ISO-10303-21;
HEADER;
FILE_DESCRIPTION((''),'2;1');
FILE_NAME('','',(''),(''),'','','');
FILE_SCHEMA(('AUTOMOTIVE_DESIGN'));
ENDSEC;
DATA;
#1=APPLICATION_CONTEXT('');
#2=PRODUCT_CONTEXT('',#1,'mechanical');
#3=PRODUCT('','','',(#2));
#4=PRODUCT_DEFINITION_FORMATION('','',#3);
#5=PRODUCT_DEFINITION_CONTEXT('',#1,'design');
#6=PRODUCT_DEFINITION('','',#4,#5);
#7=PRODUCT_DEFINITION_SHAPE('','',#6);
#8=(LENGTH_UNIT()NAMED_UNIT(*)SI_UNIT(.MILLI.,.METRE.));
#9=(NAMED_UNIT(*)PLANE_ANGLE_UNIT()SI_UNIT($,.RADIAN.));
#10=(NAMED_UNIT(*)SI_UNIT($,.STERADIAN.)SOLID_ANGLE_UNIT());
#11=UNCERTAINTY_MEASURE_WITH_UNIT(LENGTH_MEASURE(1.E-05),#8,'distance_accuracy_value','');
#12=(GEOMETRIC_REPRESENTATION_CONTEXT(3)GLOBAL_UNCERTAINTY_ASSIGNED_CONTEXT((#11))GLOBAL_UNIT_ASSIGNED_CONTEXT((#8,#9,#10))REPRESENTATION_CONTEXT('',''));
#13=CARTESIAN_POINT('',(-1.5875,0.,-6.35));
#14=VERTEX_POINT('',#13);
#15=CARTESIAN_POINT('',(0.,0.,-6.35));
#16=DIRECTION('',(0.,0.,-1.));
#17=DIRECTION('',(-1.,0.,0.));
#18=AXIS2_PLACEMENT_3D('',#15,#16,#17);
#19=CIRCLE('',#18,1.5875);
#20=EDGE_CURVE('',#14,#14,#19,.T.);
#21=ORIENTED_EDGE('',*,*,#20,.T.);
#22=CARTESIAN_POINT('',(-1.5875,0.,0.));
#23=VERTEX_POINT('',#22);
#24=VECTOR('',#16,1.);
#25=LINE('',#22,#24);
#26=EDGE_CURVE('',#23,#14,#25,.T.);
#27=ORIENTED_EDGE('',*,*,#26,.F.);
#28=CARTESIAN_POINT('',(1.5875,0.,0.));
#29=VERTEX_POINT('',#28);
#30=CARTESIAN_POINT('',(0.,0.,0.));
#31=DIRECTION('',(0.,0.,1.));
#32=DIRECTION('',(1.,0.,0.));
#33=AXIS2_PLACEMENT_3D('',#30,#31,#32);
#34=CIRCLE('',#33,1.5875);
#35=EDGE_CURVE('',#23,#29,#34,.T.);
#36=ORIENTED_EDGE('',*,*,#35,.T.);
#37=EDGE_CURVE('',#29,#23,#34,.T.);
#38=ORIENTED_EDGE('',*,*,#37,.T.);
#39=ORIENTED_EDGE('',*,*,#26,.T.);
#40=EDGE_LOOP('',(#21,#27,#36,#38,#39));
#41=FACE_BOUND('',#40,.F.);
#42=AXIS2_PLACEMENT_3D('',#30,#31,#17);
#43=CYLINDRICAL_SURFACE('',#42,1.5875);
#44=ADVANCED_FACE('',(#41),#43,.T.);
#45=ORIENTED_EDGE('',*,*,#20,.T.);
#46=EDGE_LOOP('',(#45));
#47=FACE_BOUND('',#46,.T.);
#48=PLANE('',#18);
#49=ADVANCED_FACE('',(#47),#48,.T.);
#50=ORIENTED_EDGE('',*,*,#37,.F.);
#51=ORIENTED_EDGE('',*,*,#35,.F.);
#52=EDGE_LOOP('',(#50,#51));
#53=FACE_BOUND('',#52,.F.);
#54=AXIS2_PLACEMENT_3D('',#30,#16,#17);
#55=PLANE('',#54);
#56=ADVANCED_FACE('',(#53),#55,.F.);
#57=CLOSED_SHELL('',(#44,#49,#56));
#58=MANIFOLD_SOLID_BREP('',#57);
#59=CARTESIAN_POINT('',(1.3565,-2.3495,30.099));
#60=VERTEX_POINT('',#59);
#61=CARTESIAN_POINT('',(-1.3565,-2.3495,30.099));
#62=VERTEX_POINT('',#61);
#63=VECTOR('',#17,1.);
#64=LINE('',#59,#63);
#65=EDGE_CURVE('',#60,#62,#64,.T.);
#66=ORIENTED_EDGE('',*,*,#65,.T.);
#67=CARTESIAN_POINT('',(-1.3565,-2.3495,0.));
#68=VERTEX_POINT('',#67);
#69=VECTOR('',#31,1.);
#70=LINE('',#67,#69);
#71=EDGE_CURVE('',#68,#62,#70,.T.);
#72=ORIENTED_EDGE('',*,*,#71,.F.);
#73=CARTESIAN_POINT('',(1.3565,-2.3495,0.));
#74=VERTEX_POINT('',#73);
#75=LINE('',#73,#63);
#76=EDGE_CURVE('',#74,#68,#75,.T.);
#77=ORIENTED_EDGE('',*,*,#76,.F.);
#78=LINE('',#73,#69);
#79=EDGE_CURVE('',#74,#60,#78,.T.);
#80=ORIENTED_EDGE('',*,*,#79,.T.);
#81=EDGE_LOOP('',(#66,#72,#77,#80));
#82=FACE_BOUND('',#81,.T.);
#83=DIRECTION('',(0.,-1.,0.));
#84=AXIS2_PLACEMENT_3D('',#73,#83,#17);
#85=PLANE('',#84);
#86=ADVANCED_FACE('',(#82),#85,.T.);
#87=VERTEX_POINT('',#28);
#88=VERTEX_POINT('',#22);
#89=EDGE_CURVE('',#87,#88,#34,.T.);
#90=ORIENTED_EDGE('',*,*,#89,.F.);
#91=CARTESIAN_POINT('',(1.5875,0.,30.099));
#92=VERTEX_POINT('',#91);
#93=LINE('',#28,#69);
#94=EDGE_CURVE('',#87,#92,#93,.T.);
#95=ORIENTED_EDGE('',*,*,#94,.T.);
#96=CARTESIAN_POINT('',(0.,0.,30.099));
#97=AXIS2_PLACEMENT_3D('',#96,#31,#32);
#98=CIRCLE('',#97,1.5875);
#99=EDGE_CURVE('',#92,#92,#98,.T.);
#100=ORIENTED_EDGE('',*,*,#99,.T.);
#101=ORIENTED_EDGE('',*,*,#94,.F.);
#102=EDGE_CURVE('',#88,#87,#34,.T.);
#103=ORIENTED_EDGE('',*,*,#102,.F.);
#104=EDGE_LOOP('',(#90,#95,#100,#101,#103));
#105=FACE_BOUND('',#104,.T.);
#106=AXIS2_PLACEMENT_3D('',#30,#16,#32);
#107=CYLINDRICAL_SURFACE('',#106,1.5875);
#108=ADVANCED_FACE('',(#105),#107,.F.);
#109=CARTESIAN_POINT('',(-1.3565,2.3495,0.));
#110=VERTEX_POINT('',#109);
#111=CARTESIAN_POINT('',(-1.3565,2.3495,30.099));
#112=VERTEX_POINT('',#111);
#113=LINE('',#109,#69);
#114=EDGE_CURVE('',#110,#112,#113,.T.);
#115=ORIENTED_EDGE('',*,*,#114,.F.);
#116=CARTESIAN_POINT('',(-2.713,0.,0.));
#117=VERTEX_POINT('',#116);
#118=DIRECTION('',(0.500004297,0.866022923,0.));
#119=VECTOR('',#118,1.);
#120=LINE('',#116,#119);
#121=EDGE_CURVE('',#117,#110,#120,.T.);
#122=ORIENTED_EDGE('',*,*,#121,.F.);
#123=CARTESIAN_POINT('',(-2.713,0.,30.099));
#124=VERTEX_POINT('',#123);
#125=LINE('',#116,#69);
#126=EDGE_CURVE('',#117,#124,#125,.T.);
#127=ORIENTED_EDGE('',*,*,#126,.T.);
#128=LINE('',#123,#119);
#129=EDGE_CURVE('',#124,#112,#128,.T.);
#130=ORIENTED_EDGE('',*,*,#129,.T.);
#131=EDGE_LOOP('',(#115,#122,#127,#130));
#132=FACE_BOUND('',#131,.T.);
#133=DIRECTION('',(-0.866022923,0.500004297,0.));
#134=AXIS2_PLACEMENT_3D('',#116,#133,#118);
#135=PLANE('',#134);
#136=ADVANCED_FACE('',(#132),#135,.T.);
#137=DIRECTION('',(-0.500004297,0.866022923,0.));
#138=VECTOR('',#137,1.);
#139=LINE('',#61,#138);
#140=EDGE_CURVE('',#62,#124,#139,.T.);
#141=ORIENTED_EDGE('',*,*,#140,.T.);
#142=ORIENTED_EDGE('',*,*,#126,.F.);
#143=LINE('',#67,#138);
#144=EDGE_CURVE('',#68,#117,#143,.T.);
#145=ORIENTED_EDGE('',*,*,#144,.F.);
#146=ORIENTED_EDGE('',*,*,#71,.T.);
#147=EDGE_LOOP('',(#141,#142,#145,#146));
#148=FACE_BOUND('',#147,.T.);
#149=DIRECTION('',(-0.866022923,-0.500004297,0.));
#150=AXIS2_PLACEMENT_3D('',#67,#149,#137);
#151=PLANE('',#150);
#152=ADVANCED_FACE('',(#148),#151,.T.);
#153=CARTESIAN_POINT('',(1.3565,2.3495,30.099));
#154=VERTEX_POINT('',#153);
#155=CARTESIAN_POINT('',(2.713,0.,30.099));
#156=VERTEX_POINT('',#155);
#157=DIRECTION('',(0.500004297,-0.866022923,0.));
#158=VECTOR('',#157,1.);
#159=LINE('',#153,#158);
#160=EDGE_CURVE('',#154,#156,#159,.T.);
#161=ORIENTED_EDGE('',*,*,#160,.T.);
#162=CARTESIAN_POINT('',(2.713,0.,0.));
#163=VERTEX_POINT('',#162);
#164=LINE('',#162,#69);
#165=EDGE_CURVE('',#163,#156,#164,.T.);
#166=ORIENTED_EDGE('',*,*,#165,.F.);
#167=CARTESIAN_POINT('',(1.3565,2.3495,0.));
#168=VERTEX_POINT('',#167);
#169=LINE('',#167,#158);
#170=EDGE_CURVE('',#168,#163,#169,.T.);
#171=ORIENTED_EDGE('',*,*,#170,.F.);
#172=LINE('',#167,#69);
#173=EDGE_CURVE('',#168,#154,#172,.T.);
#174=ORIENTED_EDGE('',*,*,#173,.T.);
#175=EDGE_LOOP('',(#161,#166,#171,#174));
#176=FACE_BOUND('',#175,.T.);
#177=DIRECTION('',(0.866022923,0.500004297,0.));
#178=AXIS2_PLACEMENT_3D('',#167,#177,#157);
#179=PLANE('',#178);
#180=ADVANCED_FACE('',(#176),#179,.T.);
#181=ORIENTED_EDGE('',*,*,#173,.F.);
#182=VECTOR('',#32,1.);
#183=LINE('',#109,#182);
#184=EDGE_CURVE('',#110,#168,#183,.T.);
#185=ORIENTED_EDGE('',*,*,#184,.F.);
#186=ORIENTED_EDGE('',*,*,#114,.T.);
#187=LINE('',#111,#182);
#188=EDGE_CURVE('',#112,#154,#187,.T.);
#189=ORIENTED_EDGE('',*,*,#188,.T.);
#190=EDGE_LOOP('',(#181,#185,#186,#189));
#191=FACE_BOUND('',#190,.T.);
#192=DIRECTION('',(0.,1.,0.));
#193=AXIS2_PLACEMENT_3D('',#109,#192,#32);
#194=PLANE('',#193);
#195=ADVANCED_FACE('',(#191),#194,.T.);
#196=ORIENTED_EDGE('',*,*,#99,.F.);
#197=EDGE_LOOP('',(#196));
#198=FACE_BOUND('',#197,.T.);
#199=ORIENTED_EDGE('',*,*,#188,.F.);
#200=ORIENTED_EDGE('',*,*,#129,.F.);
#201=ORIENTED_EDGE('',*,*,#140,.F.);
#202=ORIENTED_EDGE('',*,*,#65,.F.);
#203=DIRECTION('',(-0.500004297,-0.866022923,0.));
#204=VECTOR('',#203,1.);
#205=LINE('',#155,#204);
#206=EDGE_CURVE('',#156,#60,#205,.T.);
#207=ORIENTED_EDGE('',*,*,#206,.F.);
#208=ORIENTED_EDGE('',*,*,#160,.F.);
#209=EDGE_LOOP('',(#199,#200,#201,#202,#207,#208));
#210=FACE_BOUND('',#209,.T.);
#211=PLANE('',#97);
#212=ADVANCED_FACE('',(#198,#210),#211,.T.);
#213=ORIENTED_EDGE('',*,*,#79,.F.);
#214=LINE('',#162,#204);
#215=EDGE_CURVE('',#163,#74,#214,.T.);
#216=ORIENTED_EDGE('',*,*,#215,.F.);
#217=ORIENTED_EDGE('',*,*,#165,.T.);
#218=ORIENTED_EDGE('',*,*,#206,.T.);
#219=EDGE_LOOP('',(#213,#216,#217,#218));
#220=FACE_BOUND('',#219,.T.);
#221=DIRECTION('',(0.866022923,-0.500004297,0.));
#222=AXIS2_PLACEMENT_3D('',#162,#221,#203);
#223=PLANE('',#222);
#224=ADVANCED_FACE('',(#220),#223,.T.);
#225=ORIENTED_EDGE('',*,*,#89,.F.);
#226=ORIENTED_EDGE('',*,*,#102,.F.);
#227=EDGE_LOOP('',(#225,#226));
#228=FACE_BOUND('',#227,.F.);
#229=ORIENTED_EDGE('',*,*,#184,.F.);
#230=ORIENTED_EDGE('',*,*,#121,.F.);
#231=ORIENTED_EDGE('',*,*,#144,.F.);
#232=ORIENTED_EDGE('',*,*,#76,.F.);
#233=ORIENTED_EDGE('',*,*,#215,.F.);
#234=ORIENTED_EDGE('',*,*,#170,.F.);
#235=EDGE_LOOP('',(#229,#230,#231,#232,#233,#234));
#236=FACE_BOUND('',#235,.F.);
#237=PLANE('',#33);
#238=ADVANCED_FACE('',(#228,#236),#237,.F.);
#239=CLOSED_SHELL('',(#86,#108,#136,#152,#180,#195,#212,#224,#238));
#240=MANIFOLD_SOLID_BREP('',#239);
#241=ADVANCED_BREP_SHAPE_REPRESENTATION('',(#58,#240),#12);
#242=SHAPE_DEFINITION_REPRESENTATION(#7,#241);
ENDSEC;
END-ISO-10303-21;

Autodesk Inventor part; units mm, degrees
ref_plane "YZ Plane" through (0, 0, 0) normal (1, 0, 0) x (0, 1, 0)
ref_plane "XZ Plane" through (0, 0, 0) normal (0, 1, 0) x (-1, 0, 0)
ref_plane "XY Plane" through (0, 0, 0) normal (0, 0, 1) x (1, 0, 0)
sketch "Sketch1" plane through (0, 0, 0) normal (0, 0, 1) x (1, 0, 0)
  line L0 (-2.713, 0) -> (-1.3565, 2.3495)
  line L1 (-1.3565, 2.3495) -> (1.3565, 2.3495)
  line L2 (1.3565, 2.3495) -> (2.713, 0)
  line L3 (2.713, 0) -> (1.3565, -2.3495)
  line L4 (1.3565, -2.3495) -> (-1.3565, -2.3495)
  line L5 (-1.3565, -2.3495) -> (-2.713, 0)
  circle A0 centre (0, 0) radius 1.5875
  dimension "d0" = 4.699
  dimension "d1" = 3.175
extrude "Extrusion1" add sketch "Sketch1" along normal blind 30.099
sketch "Sketch2" plane through (0, 0, 0) normal (0, 0, -1) x (-1, 0, 0)
  circle A0 centre (0, 0) radius 1.5875
extrude "Extrusion2" add sketch "Sketch2" along normal blind 6.35
thread "Thread1" size "5-40 UNC" class "2A" standard "ANSI Unified Screw Threads" full length
thread "Thread2" size "5-40 UNC" class "2B" standard "ANSI Unified Screw Threads" full length
properties part number "StandoffLong" material "Brass, Soft Yellow"
